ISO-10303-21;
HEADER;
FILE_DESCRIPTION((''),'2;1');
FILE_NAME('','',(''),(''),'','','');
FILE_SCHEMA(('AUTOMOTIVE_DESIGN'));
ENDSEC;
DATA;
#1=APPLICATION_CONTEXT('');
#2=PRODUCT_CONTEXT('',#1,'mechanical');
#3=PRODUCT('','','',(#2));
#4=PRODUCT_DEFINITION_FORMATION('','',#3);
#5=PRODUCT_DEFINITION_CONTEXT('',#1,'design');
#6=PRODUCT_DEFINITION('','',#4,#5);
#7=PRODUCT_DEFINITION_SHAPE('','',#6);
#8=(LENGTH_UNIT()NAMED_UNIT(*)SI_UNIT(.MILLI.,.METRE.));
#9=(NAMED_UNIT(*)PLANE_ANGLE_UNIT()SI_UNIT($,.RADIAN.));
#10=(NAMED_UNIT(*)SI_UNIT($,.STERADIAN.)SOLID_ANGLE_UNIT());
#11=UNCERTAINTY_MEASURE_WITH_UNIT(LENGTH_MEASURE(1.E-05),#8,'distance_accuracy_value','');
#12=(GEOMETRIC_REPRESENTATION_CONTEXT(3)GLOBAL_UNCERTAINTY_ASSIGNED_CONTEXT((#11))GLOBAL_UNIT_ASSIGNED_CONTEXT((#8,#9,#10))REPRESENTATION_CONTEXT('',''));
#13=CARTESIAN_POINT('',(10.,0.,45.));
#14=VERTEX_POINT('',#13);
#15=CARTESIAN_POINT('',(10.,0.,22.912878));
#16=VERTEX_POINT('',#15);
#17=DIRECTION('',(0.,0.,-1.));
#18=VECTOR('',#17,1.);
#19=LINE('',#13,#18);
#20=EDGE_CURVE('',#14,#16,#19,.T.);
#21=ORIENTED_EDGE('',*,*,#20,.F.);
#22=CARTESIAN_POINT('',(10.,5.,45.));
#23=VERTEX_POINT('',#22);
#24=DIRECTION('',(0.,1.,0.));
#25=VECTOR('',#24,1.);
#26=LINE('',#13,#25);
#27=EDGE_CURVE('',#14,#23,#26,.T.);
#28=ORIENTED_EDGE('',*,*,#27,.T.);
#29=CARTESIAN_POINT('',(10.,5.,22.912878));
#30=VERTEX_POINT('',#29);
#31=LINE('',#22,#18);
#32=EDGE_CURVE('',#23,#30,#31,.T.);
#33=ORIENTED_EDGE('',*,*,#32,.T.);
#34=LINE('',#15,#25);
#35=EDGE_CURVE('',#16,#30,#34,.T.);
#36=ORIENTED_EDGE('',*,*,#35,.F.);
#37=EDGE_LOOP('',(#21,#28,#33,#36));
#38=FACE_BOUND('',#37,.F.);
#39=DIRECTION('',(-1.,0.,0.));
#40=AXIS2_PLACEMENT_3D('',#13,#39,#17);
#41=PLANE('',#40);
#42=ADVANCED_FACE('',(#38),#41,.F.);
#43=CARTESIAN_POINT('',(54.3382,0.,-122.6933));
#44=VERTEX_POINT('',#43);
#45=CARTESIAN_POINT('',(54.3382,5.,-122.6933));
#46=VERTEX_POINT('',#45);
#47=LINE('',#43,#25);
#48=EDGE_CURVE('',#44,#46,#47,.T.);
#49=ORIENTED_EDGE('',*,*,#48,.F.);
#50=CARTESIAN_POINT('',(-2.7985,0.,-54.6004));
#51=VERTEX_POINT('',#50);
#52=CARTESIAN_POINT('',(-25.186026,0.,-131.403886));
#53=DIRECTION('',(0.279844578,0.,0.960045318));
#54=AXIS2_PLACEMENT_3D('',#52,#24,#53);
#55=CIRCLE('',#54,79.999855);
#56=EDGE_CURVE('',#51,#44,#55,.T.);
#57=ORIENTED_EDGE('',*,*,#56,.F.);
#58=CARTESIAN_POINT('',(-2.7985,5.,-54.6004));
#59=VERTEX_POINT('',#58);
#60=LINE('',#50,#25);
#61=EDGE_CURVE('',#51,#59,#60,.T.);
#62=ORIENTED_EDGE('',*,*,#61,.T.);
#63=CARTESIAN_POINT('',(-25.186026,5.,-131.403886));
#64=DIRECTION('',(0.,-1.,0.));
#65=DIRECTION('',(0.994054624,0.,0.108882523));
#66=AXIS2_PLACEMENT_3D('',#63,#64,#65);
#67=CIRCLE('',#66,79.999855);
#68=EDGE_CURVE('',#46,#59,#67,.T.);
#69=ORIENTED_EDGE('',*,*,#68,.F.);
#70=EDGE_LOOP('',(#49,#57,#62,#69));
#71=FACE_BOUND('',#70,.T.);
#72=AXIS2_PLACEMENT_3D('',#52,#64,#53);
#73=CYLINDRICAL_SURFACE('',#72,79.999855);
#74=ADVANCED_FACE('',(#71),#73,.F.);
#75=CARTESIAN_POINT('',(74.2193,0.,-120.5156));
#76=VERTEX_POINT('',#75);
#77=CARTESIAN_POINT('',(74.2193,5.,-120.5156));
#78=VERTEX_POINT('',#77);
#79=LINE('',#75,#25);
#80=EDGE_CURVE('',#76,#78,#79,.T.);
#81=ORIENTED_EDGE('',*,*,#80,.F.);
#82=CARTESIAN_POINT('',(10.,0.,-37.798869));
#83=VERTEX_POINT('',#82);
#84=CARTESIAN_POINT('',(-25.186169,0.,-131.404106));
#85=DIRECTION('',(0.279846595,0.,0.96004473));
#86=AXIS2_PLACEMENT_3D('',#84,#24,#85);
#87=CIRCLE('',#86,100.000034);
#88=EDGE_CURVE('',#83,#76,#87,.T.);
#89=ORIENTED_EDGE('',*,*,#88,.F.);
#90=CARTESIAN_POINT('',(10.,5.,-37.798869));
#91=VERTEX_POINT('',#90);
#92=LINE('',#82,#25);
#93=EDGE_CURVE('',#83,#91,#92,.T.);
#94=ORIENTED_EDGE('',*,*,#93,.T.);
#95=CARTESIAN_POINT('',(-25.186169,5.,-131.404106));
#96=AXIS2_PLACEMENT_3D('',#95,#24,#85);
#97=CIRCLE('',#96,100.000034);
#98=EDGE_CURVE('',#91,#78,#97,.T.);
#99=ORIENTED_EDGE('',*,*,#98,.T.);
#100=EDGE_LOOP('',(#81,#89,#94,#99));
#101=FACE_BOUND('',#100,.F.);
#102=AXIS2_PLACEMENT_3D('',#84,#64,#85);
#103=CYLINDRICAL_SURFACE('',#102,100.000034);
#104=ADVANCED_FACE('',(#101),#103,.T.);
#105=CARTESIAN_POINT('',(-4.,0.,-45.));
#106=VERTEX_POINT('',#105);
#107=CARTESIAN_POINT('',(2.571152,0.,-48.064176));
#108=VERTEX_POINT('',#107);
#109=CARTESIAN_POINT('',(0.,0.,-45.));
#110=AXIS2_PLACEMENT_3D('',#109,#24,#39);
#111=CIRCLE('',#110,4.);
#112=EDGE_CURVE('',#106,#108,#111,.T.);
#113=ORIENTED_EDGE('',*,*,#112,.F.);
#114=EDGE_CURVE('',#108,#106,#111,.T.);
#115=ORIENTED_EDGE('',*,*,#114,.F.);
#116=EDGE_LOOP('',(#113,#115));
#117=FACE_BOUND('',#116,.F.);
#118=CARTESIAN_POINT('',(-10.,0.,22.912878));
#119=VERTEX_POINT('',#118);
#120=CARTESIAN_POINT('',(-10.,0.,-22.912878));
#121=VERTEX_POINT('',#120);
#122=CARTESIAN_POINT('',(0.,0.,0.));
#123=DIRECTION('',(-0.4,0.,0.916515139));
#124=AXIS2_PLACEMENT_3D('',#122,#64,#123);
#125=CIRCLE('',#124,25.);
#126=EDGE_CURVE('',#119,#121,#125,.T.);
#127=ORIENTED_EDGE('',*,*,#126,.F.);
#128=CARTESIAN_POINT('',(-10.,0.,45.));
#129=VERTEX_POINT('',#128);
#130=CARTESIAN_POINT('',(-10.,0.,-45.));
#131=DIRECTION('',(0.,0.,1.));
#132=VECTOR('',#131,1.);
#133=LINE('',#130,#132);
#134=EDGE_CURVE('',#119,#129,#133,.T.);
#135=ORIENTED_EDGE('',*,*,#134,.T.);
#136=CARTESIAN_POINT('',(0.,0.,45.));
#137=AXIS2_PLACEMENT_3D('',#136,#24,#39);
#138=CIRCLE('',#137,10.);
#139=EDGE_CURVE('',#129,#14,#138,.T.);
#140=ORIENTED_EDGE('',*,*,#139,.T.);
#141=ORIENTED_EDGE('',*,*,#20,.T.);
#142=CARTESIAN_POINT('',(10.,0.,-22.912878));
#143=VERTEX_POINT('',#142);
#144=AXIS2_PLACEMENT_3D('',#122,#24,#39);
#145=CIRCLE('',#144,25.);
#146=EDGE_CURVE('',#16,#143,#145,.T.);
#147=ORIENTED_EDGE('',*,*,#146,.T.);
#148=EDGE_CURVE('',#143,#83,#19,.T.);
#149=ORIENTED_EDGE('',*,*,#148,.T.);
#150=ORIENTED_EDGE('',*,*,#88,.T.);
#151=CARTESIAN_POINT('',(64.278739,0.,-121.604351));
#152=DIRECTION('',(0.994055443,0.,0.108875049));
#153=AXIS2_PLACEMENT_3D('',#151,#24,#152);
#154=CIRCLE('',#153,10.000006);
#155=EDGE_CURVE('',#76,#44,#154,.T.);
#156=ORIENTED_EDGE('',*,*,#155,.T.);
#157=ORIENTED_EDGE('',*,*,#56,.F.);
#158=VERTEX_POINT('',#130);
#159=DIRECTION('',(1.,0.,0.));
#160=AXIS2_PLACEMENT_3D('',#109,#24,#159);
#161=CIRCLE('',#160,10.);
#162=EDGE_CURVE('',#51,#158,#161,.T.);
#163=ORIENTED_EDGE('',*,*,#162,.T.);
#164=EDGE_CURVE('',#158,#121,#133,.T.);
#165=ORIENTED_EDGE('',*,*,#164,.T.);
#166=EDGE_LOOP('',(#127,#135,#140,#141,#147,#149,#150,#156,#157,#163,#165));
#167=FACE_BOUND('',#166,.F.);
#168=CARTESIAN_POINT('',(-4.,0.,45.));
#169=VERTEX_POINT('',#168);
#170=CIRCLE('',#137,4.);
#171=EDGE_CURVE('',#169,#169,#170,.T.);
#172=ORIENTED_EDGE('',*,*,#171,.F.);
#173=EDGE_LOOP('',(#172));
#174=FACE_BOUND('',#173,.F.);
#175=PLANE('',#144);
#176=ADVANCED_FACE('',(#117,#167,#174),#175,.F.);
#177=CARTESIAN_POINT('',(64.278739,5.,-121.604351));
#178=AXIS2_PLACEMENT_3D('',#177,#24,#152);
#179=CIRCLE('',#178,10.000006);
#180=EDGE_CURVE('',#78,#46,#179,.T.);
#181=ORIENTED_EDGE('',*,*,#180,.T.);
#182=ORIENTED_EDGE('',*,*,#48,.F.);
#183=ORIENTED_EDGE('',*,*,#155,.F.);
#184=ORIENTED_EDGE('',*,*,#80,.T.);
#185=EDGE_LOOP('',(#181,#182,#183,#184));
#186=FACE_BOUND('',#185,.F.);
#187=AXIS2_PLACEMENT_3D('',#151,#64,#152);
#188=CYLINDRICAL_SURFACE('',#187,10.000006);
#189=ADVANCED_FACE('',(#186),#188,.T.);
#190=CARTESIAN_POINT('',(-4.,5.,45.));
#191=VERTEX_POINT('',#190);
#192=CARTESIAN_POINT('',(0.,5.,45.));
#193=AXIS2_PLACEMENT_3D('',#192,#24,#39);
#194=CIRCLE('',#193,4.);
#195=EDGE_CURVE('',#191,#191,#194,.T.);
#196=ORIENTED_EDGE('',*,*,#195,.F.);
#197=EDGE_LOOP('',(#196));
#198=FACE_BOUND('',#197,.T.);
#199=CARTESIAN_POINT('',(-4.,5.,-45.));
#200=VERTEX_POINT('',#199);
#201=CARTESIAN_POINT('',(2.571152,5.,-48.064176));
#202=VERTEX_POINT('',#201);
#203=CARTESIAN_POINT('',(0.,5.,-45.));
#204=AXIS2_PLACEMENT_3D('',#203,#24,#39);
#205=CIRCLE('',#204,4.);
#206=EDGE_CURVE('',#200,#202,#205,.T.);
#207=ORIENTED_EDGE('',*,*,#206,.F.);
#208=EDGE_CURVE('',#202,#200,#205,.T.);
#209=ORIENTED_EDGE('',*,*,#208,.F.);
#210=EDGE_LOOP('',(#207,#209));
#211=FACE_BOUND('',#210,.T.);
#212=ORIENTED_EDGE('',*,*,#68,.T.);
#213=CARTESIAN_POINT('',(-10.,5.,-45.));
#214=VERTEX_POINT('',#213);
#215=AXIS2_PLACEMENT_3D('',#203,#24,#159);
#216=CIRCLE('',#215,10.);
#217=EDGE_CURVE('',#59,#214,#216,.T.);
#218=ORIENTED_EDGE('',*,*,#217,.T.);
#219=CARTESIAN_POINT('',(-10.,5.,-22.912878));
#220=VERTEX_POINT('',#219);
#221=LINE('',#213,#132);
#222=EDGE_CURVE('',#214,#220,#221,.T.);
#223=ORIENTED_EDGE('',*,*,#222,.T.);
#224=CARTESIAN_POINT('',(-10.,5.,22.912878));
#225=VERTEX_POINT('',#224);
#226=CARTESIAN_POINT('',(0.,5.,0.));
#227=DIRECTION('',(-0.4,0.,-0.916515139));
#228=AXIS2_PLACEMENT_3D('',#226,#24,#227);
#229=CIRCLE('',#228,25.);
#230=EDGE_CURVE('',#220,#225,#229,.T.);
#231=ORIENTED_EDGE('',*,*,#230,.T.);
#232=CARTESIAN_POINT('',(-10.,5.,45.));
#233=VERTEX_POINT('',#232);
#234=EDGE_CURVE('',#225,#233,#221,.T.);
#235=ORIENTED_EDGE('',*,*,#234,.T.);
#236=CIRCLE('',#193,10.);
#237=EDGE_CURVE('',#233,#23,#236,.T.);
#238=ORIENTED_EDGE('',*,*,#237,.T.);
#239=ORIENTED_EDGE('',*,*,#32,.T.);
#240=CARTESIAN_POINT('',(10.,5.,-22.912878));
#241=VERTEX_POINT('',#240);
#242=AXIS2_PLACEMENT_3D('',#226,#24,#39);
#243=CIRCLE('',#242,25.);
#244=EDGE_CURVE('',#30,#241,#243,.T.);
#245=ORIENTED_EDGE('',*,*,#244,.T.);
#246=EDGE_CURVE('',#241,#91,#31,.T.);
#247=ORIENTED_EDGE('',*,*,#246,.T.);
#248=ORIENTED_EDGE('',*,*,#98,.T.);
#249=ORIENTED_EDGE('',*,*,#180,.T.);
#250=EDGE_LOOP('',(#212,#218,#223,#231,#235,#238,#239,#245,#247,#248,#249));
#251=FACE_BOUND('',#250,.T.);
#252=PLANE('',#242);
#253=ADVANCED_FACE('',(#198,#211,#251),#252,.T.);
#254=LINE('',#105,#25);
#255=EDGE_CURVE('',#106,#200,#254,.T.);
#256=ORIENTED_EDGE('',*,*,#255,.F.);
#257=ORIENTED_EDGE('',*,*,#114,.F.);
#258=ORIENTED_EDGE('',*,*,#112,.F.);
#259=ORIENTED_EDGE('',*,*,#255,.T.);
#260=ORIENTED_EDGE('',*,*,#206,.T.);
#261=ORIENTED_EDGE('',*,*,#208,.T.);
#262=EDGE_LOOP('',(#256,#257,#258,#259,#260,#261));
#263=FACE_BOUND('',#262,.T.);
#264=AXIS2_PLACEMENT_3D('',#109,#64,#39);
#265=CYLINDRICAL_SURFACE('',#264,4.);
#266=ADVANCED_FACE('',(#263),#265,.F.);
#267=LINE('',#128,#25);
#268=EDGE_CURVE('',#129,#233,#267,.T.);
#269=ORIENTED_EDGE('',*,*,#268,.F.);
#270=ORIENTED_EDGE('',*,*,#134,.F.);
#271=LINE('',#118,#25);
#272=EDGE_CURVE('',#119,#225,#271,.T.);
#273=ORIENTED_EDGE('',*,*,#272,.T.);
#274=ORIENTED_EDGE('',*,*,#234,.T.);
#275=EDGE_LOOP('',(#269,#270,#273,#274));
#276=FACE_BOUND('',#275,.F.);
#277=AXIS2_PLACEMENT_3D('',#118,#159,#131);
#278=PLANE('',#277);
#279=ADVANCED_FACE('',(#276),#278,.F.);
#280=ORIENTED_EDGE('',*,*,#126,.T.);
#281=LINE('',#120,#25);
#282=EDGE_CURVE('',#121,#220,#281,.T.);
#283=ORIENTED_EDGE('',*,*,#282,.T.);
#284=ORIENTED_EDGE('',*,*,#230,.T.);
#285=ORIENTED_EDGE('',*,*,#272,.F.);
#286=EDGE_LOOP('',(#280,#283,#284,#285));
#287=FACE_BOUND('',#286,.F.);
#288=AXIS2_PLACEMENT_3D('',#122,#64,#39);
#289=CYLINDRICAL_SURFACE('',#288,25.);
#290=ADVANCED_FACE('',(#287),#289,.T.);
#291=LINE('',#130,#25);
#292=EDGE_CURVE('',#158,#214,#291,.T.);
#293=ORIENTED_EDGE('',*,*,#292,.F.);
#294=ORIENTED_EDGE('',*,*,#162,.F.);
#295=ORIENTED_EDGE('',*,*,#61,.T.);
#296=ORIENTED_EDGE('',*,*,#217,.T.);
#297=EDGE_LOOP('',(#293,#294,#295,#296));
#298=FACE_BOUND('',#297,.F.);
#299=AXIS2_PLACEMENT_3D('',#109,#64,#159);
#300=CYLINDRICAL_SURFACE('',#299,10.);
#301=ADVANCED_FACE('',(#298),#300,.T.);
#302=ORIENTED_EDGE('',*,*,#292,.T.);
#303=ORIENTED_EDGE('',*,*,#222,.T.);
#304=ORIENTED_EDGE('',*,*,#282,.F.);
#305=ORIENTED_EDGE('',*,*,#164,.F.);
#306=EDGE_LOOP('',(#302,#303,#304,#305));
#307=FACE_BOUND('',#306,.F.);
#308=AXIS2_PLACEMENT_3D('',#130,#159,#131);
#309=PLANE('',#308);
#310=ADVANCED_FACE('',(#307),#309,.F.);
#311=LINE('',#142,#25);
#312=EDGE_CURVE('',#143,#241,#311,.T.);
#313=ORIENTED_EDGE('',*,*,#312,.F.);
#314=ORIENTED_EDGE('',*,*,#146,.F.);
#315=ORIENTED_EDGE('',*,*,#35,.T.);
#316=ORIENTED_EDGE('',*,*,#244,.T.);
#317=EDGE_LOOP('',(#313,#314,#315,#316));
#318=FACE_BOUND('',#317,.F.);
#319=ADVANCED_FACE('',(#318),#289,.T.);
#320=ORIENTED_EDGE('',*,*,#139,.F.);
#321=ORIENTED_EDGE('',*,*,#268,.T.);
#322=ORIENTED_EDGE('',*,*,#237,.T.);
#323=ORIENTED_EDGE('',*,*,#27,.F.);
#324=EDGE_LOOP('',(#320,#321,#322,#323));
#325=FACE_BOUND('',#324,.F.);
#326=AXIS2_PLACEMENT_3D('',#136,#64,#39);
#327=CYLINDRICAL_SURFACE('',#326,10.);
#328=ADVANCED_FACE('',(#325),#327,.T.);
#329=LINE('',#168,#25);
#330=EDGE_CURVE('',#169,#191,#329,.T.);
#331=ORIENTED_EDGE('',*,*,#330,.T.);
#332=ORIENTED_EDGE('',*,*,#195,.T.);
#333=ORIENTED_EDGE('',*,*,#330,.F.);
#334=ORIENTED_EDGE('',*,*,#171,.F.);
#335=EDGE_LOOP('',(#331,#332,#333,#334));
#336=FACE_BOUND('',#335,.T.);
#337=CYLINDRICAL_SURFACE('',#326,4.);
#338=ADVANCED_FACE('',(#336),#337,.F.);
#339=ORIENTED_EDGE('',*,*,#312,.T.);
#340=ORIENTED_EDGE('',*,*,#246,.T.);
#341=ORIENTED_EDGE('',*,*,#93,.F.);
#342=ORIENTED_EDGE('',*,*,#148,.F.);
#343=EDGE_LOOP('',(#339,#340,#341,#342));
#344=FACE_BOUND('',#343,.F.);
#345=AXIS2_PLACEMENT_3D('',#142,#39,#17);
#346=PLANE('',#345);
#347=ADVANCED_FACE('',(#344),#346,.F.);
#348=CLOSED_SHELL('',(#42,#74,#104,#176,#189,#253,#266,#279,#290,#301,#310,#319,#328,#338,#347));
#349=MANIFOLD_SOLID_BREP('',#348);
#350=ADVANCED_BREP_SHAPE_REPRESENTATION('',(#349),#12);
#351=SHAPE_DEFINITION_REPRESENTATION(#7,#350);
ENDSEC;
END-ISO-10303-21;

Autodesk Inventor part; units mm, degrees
ref_plane "YZ Plane" through (0, 0, 0) normal (1, 0, 0) x (0, 1, 0)
ref_plane "XZ Plane" through (0, 0, 0) normal (0, 1, 0) x (-1, 0, 0)
ref_plane "XY Plane" through (0, 0, 0) normal (0, 0, 1) x (1, 0, 0)
sketch "Sketch1" plane through (0, 0, 0) normal (0, 1, 0) x (-1, 0, 0)
  line L0 (0, 45) -> (0, -45) construction
  line L1 (-10, 45) -> (-10, -45)
  line L2 (10, -45) -> (10, 45)
  arc A0 (10, 45) -> (-10, 45) centre (0, 45) ccw
  arc A1 (-10, -45) -> (10, -45) centre (0, -45) ccw
  circle A2 centre (0, 45) radius 4
  circle A3 centre (0, -45) radius 4
  arc A4 (0, -45) -> (-64.2788, -121.6044) centre (25.1861, -131.404) ccw construction
  arc A5 (-2.7985, -35.3996) -> (-74.2193, -120.5156) centre (25.1861, -131.404) ccw
  arc A6 (2.7985, -54.6004) -> (-54.3382, -122.6933) centre (25.1861, -131.404) ccw
  arc A7 (2.7985, -54.6004) -> (-2.7985, -35.3996) centre (0, -45) ccw
  arc A8 (-74.2193, -120.5156) -> (-54.3382, -122.6933) centre (-64.2788, -121.6044) ccw
  line L3 (-64.2788, -121.6044) -> (0, -45)
  circle A9 centre (0, 0) radius 25
  point P0 (-6.4279, -52.6604)
  point P1 (10, -22.9129)
  point P2 (10, 22.9129)
  point P3 (-10, 22.9129)
  point P4 (-10, -22.9129)
  point P5 (-10, -37.7988)
  point P6 (-13.9586, -61.6352)
  point P7 (2.7985, -54.6004)
  dimension "d0" = 20
  dimension "d2" = 90
  dimension "d3" = 8
  dimension "d4" = 8
  dimension "d5" = 20
  dimension "d7" = 100
  dimension "d8" = 140
  dimension "d9" = 100
  dimension "d10" = 50
extrude "Extrusion1" add sketch "Sketch1" along normal blind 5 contours A0 L2 A9 L1 | A9 L2 L1 | L1 A9 | A9 L2 A7 A5 L1 | A9 L2 | A5 A7 A1 L1 | L1 A1 L3 A6 A8 A5 | A1 A6 L3
equation "\"d0\" = AnEsl"
equation "\"d5\" = AnEsl"
equation "\"d10\" = DV"
equation "\"DV\" = 50"
equation "\"AnEsl\" = 20"
properties part number "Pinzas"
